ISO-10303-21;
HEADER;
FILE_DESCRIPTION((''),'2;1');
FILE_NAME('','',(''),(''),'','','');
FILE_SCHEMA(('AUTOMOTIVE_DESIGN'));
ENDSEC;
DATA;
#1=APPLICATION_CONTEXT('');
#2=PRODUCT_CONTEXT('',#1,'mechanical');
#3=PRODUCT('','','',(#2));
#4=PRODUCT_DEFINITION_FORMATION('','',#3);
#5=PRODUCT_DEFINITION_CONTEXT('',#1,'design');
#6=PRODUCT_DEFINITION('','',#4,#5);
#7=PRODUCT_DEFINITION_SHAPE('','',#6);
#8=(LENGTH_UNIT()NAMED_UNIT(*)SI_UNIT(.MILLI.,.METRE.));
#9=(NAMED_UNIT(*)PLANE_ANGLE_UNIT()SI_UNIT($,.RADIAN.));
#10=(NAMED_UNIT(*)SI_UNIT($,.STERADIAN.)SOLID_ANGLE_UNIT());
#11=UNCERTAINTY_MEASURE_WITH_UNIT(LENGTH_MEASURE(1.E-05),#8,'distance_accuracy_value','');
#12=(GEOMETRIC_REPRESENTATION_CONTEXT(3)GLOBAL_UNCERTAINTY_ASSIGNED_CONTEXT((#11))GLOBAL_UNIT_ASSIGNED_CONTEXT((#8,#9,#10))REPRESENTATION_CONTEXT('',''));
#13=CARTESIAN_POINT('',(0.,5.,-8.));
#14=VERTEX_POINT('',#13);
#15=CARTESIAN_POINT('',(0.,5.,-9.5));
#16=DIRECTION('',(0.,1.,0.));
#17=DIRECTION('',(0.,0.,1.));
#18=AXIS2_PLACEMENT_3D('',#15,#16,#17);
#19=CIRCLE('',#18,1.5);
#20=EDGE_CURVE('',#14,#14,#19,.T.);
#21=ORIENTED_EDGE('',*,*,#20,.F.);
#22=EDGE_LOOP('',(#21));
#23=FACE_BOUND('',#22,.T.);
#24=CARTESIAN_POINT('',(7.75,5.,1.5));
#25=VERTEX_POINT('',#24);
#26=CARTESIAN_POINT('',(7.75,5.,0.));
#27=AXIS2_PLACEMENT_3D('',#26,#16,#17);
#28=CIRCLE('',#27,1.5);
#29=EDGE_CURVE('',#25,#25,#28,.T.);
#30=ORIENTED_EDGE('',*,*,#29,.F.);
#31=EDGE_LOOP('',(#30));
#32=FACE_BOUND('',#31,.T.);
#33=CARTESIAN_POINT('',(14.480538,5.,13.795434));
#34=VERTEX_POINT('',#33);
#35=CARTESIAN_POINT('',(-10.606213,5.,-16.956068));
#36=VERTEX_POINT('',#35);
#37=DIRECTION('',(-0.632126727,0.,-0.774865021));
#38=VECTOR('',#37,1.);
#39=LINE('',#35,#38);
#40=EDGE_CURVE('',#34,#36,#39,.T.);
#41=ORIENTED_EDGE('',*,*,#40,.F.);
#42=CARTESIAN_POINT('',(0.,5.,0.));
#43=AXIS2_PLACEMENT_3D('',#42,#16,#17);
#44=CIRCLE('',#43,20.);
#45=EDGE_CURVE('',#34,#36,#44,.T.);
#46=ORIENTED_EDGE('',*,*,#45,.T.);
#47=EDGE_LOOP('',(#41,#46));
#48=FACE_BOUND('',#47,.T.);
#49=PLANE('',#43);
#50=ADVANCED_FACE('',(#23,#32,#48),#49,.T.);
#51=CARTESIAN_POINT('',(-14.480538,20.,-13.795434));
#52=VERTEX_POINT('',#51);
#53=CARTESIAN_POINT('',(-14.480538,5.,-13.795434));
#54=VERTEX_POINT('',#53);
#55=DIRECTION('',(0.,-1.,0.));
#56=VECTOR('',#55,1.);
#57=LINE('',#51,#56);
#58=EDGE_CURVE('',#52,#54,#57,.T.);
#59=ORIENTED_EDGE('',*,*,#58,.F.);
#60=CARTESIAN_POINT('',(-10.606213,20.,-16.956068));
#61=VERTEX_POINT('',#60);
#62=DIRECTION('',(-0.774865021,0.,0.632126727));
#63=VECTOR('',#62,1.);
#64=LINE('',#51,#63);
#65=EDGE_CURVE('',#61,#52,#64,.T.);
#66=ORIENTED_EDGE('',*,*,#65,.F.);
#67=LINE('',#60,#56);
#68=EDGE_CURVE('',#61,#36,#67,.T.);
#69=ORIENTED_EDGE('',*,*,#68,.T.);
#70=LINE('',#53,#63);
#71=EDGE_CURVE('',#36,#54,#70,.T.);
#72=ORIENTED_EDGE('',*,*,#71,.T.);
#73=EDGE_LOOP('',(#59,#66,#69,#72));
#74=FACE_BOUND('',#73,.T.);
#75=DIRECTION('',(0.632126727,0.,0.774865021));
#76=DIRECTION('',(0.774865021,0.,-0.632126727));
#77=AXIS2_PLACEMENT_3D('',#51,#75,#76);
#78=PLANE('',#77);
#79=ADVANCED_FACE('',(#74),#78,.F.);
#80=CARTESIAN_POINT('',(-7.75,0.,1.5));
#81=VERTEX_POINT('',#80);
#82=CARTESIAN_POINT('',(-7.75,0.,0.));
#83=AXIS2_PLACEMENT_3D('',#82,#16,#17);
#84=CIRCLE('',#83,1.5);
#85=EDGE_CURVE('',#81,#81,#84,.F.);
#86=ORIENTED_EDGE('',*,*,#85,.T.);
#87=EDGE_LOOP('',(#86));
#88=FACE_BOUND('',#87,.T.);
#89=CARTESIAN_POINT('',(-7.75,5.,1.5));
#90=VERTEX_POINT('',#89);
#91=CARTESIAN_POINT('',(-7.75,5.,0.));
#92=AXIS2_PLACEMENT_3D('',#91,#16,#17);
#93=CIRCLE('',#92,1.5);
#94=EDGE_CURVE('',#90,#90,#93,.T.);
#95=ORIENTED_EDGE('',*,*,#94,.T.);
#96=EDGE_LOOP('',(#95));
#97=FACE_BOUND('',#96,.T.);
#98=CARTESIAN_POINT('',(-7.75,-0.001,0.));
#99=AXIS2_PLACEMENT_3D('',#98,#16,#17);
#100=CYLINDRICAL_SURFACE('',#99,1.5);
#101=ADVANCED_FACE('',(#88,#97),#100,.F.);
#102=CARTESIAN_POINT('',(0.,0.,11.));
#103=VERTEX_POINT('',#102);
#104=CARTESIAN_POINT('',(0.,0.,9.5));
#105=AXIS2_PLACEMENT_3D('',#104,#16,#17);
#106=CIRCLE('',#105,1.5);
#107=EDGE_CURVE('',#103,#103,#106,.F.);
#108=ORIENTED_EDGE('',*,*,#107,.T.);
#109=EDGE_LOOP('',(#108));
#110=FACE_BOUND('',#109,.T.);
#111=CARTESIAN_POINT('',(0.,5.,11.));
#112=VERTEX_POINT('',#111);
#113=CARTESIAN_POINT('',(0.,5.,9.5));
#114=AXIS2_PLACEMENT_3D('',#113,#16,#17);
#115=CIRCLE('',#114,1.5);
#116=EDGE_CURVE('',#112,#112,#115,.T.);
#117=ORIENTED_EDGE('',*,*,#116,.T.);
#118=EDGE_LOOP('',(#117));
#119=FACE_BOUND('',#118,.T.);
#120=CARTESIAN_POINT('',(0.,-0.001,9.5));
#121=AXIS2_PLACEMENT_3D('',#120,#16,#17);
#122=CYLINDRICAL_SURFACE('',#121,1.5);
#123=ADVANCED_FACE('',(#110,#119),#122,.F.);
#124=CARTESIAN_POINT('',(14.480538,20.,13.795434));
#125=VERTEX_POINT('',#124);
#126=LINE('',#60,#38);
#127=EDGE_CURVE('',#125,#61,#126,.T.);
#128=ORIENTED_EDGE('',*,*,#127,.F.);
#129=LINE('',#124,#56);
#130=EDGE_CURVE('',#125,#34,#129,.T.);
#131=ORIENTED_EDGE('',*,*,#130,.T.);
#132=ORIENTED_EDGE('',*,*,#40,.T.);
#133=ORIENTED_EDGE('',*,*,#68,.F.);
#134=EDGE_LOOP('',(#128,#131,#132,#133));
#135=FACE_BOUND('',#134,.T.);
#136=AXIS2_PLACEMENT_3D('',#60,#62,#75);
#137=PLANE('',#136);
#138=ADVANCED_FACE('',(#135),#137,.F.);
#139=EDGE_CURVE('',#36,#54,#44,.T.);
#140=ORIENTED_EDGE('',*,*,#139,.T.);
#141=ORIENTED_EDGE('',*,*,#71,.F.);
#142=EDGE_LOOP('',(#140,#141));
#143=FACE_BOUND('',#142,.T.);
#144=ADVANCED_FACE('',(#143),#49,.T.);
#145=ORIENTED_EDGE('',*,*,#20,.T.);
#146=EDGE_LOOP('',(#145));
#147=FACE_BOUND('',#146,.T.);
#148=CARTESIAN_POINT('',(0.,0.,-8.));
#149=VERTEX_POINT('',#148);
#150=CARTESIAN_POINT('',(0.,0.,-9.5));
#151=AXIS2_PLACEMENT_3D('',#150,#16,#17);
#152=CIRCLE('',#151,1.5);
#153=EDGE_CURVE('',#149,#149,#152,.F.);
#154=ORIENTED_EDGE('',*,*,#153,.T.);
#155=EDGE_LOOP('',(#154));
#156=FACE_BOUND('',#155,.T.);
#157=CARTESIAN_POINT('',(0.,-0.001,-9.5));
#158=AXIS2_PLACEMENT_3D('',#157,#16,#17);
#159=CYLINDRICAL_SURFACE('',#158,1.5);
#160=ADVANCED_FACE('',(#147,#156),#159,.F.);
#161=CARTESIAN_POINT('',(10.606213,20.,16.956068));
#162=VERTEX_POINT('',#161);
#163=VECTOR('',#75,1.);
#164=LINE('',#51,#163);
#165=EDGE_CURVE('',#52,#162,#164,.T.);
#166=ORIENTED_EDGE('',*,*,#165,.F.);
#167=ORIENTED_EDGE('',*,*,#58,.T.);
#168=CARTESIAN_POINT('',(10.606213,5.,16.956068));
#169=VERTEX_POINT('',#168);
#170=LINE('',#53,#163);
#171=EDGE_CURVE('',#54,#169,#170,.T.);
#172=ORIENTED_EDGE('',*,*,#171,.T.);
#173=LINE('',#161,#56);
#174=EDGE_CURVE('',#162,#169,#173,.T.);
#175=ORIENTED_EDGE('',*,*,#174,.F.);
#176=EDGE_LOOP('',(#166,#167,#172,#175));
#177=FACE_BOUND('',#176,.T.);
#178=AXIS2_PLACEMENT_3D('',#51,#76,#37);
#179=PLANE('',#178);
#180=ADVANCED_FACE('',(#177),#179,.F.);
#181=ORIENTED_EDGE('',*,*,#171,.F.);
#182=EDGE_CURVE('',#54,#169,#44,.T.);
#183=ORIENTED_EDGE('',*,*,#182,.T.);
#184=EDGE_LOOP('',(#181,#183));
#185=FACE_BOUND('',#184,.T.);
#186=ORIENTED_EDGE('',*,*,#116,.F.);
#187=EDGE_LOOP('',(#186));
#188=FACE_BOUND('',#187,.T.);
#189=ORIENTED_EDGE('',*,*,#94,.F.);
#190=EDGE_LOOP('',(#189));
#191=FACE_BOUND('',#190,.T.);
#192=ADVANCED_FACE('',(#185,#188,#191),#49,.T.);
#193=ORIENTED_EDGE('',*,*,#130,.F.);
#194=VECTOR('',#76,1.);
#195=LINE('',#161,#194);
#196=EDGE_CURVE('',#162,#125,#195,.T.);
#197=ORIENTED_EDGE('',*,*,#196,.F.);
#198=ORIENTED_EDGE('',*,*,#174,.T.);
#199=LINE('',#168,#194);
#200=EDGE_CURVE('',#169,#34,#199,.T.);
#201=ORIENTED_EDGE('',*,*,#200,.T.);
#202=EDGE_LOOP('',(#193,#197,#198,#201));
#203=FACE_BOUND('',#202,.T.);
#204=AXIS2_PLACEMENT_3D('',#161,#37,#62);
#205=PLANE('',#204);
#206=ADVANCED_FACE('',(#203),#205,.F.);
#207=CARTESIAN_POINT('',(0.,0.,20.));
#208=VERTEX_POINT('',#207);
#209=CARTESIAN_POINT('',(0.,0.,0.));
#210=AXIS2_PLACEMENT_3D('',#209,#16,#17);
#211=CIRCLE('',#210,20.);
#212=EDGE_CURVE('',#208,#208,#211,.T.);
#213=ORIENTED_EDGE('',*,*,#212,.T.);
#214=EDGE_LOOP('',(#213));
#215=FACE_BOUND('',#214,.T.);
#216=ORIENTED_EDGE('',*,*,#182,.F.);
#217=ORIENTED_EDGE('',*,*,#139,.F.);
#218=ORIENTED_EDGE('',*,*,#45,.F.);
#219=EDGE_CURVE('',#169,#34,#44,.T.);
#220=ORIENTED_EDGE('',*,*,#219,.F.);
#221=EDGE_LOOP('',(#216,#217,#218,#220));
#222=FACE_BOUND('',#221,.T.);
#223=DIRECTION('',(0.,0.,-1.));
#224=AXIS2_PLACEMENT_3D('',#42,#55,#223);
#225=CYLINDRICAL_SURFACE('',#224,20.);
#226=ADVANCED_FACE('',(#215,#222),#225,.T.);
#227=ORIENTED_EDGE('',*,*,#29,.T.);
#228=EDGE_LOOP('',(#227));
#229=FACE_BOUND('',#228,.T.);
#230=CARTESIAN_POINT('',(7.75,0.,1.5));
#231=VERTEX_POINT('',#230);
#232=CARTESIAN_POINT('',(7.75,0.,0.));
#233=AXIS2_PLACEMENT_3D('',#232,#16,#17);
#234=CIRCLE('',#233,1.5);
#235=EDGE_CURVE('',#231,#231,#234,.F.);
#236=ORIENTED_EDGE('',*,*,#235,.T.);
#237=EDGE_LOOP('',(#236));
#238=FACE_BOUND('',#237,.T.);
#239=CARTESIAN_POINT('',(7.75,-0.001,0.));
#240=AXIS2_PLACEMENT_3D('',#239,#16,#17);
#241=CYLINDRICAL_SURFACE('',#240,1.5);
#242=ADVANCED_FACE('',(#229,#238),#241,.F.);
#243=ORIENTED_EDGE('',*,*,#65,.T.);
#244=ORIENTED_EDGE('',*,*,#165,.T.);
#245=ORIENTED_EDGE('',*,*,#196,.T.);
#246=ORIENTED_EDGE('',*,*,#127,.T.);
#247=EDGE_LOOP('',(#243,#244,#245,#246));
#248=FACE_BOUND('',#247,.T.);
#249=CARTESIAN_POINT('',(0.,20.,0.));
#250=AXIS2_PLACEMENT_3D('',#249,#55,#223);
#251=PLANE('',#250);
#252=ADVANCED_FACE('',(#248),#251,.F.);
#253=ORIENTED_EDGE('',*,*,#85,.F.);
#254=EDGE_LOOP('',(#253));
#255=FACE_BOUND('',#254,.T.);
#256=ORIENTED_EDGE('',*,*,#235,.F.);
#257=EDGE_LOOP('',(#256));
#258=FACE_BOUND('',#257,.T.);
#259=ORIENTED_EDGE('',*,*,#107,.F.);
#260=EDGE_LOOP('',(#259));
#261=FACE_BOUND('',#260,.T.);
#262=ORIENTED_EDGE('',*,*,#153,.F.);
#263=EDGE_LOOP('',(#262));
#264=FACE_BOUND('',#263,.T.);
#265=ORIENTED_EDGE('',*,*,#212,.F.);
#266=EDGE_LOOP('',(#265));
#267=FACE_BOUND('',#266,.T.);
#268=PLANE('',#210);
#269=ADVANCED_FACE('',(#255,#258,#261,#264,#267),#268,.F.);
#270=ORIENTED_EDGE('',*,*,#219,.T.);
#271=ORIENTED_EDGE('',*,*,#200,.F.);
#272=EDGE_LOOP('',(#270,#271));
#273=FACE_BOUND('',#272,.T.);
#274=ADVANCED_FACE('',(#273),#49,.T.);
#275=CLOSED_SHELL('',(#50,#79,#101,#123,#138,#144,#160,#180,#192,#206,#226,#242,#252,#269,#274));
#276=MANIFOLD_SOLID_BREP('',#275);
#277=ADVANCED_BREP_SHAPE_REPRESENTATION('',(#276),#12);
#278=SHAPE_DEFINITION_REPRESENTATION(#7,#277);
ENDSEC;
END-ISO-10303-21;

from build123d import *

# Parameters (mm, degrees)
SKETCH1_R           = 20
BOSS_EXTRUDE1_DEPTH = 5
CUT_EXTRUDE1_REACH  = 7
SKETCH2_R           = 1.5
BOSS_EXTRUDE2_DEPTH = 15


with BuildPart() as part:
    # Sketch1 → Boss-Extrude1 (new body)
    with BuildSketch(Plane(origin=(0, 0, 0), x_dir=(1, 0, 0), z_dir=(0, 1, 0))):
        Circle(SKETCH1_R)
    extrude(amount=BOSS_EXTRUDE1_DEPTH)

    # Sketch2 → Cut-Extrude1 (cut, up to next)
    with BuildSketch(Plane(origin=(0, 5, 0), x_dir=(1, 0, 0), z_dir=(0, 1, 0)), mode=Mode.PRIVATE) as cut_extrude1_sk1:
        with Locations((0, 9.5)):
            Circle(SKETCH2_R)
    cut_extrude1_tool1 = extrude(cut_extrude1_sk1.sketch, amount=-CUT_EXTRUDE1_REACH, mode=Mode.PRIVATE) & part.part
    add(cut_extrude1_tool1.solids().sort_by_distance((0, 5, -9.5))[0], mode=Mode.SUBTRACT)
    # Sketch2 → Cut-Extrude1 (cut, up to next)
    with BuildSketch(Plane(origin=(0, 5, 0), x_dir=(1, 0, 0), z_dir=(0, 1, 0)), mode=Mode.PRIVATE) as cut_extrude1_sk2:
        with Locations((0, -9.5)):
            Circle(SKETCH2_R)
    cut_extrude1_tool2 = extrude(cut_extrude1_sk2.sketch, amount=-CUT_EXTRUDE1_REACH, mode=Mode.PRIVATE) & part.part
    add(cut_extrude1_tool2.solids().sort_by_distance((0, 5, 9.5))[0], mode=Mode.SUBTRACT)
    # Sketch2 → Cut-Extrude1 (cut, up to next)
    with BuildSketch(Plane(origin=(0, 5, 0), x_dir=(1, 0, 0), z_dir=(0, 1, 0)), mode=Mode.PRIVATE) as cut_extrude1_sk3:
        with Locations((-7.75, 0)):
            Circle(SKETCH2_R)
    cut_extrude1_tool3 = extrude(cut_extrude1_sk3.sketch, amount=-CUT_EXTRUDE1_REACH, mode=Mode.PRIVATE) & part.part
    add(cut_extrude1_tool3.solids().sort_by_distance((-7.75, 5, 0))[0], mode=Mode.SUBTRACT)
    # Sketch2 → Cut-Extrude1 (cut, up to next)
    with BuildSketch(Plane(origin=(0, 5, 0), x_dir=(1, 0, 0), z_dir=(0, 1, 0)), mode=Mode.PRIVATE) as cut_extrude1_sk4:
        with Locations((7.75, 0)):
            Circle(SKETCH2_R)
    cut_extrude1_tool4 = extrude(cut_extrude1_sk4.sketch, amount=-CUT_EXTRUDE1_REACH, mode=Mode.PRIVATE) & part.part
    add(cut_extrude1_tool4.solids().sort_by_distance((7.75, 5, 0))[0], mode=Mode.SUBTRACT)

    # Sketch3 → Boss-Extrude2 (add)
    with BuildSketch(Plane(origin=(0, 5, 0), x_dir=(1, 0, 0), z_dir=(0, 1, 0))):
        Polygon((-14.480538437, 13.795434266), (10.606213333, -16.956067903), (14.480538437, -13.795434266), (-10.606213333, 16.956067903), align=None)
    extrude(amount=BOSS_EXTRUDE2_DEPTH)


solid = part.part
